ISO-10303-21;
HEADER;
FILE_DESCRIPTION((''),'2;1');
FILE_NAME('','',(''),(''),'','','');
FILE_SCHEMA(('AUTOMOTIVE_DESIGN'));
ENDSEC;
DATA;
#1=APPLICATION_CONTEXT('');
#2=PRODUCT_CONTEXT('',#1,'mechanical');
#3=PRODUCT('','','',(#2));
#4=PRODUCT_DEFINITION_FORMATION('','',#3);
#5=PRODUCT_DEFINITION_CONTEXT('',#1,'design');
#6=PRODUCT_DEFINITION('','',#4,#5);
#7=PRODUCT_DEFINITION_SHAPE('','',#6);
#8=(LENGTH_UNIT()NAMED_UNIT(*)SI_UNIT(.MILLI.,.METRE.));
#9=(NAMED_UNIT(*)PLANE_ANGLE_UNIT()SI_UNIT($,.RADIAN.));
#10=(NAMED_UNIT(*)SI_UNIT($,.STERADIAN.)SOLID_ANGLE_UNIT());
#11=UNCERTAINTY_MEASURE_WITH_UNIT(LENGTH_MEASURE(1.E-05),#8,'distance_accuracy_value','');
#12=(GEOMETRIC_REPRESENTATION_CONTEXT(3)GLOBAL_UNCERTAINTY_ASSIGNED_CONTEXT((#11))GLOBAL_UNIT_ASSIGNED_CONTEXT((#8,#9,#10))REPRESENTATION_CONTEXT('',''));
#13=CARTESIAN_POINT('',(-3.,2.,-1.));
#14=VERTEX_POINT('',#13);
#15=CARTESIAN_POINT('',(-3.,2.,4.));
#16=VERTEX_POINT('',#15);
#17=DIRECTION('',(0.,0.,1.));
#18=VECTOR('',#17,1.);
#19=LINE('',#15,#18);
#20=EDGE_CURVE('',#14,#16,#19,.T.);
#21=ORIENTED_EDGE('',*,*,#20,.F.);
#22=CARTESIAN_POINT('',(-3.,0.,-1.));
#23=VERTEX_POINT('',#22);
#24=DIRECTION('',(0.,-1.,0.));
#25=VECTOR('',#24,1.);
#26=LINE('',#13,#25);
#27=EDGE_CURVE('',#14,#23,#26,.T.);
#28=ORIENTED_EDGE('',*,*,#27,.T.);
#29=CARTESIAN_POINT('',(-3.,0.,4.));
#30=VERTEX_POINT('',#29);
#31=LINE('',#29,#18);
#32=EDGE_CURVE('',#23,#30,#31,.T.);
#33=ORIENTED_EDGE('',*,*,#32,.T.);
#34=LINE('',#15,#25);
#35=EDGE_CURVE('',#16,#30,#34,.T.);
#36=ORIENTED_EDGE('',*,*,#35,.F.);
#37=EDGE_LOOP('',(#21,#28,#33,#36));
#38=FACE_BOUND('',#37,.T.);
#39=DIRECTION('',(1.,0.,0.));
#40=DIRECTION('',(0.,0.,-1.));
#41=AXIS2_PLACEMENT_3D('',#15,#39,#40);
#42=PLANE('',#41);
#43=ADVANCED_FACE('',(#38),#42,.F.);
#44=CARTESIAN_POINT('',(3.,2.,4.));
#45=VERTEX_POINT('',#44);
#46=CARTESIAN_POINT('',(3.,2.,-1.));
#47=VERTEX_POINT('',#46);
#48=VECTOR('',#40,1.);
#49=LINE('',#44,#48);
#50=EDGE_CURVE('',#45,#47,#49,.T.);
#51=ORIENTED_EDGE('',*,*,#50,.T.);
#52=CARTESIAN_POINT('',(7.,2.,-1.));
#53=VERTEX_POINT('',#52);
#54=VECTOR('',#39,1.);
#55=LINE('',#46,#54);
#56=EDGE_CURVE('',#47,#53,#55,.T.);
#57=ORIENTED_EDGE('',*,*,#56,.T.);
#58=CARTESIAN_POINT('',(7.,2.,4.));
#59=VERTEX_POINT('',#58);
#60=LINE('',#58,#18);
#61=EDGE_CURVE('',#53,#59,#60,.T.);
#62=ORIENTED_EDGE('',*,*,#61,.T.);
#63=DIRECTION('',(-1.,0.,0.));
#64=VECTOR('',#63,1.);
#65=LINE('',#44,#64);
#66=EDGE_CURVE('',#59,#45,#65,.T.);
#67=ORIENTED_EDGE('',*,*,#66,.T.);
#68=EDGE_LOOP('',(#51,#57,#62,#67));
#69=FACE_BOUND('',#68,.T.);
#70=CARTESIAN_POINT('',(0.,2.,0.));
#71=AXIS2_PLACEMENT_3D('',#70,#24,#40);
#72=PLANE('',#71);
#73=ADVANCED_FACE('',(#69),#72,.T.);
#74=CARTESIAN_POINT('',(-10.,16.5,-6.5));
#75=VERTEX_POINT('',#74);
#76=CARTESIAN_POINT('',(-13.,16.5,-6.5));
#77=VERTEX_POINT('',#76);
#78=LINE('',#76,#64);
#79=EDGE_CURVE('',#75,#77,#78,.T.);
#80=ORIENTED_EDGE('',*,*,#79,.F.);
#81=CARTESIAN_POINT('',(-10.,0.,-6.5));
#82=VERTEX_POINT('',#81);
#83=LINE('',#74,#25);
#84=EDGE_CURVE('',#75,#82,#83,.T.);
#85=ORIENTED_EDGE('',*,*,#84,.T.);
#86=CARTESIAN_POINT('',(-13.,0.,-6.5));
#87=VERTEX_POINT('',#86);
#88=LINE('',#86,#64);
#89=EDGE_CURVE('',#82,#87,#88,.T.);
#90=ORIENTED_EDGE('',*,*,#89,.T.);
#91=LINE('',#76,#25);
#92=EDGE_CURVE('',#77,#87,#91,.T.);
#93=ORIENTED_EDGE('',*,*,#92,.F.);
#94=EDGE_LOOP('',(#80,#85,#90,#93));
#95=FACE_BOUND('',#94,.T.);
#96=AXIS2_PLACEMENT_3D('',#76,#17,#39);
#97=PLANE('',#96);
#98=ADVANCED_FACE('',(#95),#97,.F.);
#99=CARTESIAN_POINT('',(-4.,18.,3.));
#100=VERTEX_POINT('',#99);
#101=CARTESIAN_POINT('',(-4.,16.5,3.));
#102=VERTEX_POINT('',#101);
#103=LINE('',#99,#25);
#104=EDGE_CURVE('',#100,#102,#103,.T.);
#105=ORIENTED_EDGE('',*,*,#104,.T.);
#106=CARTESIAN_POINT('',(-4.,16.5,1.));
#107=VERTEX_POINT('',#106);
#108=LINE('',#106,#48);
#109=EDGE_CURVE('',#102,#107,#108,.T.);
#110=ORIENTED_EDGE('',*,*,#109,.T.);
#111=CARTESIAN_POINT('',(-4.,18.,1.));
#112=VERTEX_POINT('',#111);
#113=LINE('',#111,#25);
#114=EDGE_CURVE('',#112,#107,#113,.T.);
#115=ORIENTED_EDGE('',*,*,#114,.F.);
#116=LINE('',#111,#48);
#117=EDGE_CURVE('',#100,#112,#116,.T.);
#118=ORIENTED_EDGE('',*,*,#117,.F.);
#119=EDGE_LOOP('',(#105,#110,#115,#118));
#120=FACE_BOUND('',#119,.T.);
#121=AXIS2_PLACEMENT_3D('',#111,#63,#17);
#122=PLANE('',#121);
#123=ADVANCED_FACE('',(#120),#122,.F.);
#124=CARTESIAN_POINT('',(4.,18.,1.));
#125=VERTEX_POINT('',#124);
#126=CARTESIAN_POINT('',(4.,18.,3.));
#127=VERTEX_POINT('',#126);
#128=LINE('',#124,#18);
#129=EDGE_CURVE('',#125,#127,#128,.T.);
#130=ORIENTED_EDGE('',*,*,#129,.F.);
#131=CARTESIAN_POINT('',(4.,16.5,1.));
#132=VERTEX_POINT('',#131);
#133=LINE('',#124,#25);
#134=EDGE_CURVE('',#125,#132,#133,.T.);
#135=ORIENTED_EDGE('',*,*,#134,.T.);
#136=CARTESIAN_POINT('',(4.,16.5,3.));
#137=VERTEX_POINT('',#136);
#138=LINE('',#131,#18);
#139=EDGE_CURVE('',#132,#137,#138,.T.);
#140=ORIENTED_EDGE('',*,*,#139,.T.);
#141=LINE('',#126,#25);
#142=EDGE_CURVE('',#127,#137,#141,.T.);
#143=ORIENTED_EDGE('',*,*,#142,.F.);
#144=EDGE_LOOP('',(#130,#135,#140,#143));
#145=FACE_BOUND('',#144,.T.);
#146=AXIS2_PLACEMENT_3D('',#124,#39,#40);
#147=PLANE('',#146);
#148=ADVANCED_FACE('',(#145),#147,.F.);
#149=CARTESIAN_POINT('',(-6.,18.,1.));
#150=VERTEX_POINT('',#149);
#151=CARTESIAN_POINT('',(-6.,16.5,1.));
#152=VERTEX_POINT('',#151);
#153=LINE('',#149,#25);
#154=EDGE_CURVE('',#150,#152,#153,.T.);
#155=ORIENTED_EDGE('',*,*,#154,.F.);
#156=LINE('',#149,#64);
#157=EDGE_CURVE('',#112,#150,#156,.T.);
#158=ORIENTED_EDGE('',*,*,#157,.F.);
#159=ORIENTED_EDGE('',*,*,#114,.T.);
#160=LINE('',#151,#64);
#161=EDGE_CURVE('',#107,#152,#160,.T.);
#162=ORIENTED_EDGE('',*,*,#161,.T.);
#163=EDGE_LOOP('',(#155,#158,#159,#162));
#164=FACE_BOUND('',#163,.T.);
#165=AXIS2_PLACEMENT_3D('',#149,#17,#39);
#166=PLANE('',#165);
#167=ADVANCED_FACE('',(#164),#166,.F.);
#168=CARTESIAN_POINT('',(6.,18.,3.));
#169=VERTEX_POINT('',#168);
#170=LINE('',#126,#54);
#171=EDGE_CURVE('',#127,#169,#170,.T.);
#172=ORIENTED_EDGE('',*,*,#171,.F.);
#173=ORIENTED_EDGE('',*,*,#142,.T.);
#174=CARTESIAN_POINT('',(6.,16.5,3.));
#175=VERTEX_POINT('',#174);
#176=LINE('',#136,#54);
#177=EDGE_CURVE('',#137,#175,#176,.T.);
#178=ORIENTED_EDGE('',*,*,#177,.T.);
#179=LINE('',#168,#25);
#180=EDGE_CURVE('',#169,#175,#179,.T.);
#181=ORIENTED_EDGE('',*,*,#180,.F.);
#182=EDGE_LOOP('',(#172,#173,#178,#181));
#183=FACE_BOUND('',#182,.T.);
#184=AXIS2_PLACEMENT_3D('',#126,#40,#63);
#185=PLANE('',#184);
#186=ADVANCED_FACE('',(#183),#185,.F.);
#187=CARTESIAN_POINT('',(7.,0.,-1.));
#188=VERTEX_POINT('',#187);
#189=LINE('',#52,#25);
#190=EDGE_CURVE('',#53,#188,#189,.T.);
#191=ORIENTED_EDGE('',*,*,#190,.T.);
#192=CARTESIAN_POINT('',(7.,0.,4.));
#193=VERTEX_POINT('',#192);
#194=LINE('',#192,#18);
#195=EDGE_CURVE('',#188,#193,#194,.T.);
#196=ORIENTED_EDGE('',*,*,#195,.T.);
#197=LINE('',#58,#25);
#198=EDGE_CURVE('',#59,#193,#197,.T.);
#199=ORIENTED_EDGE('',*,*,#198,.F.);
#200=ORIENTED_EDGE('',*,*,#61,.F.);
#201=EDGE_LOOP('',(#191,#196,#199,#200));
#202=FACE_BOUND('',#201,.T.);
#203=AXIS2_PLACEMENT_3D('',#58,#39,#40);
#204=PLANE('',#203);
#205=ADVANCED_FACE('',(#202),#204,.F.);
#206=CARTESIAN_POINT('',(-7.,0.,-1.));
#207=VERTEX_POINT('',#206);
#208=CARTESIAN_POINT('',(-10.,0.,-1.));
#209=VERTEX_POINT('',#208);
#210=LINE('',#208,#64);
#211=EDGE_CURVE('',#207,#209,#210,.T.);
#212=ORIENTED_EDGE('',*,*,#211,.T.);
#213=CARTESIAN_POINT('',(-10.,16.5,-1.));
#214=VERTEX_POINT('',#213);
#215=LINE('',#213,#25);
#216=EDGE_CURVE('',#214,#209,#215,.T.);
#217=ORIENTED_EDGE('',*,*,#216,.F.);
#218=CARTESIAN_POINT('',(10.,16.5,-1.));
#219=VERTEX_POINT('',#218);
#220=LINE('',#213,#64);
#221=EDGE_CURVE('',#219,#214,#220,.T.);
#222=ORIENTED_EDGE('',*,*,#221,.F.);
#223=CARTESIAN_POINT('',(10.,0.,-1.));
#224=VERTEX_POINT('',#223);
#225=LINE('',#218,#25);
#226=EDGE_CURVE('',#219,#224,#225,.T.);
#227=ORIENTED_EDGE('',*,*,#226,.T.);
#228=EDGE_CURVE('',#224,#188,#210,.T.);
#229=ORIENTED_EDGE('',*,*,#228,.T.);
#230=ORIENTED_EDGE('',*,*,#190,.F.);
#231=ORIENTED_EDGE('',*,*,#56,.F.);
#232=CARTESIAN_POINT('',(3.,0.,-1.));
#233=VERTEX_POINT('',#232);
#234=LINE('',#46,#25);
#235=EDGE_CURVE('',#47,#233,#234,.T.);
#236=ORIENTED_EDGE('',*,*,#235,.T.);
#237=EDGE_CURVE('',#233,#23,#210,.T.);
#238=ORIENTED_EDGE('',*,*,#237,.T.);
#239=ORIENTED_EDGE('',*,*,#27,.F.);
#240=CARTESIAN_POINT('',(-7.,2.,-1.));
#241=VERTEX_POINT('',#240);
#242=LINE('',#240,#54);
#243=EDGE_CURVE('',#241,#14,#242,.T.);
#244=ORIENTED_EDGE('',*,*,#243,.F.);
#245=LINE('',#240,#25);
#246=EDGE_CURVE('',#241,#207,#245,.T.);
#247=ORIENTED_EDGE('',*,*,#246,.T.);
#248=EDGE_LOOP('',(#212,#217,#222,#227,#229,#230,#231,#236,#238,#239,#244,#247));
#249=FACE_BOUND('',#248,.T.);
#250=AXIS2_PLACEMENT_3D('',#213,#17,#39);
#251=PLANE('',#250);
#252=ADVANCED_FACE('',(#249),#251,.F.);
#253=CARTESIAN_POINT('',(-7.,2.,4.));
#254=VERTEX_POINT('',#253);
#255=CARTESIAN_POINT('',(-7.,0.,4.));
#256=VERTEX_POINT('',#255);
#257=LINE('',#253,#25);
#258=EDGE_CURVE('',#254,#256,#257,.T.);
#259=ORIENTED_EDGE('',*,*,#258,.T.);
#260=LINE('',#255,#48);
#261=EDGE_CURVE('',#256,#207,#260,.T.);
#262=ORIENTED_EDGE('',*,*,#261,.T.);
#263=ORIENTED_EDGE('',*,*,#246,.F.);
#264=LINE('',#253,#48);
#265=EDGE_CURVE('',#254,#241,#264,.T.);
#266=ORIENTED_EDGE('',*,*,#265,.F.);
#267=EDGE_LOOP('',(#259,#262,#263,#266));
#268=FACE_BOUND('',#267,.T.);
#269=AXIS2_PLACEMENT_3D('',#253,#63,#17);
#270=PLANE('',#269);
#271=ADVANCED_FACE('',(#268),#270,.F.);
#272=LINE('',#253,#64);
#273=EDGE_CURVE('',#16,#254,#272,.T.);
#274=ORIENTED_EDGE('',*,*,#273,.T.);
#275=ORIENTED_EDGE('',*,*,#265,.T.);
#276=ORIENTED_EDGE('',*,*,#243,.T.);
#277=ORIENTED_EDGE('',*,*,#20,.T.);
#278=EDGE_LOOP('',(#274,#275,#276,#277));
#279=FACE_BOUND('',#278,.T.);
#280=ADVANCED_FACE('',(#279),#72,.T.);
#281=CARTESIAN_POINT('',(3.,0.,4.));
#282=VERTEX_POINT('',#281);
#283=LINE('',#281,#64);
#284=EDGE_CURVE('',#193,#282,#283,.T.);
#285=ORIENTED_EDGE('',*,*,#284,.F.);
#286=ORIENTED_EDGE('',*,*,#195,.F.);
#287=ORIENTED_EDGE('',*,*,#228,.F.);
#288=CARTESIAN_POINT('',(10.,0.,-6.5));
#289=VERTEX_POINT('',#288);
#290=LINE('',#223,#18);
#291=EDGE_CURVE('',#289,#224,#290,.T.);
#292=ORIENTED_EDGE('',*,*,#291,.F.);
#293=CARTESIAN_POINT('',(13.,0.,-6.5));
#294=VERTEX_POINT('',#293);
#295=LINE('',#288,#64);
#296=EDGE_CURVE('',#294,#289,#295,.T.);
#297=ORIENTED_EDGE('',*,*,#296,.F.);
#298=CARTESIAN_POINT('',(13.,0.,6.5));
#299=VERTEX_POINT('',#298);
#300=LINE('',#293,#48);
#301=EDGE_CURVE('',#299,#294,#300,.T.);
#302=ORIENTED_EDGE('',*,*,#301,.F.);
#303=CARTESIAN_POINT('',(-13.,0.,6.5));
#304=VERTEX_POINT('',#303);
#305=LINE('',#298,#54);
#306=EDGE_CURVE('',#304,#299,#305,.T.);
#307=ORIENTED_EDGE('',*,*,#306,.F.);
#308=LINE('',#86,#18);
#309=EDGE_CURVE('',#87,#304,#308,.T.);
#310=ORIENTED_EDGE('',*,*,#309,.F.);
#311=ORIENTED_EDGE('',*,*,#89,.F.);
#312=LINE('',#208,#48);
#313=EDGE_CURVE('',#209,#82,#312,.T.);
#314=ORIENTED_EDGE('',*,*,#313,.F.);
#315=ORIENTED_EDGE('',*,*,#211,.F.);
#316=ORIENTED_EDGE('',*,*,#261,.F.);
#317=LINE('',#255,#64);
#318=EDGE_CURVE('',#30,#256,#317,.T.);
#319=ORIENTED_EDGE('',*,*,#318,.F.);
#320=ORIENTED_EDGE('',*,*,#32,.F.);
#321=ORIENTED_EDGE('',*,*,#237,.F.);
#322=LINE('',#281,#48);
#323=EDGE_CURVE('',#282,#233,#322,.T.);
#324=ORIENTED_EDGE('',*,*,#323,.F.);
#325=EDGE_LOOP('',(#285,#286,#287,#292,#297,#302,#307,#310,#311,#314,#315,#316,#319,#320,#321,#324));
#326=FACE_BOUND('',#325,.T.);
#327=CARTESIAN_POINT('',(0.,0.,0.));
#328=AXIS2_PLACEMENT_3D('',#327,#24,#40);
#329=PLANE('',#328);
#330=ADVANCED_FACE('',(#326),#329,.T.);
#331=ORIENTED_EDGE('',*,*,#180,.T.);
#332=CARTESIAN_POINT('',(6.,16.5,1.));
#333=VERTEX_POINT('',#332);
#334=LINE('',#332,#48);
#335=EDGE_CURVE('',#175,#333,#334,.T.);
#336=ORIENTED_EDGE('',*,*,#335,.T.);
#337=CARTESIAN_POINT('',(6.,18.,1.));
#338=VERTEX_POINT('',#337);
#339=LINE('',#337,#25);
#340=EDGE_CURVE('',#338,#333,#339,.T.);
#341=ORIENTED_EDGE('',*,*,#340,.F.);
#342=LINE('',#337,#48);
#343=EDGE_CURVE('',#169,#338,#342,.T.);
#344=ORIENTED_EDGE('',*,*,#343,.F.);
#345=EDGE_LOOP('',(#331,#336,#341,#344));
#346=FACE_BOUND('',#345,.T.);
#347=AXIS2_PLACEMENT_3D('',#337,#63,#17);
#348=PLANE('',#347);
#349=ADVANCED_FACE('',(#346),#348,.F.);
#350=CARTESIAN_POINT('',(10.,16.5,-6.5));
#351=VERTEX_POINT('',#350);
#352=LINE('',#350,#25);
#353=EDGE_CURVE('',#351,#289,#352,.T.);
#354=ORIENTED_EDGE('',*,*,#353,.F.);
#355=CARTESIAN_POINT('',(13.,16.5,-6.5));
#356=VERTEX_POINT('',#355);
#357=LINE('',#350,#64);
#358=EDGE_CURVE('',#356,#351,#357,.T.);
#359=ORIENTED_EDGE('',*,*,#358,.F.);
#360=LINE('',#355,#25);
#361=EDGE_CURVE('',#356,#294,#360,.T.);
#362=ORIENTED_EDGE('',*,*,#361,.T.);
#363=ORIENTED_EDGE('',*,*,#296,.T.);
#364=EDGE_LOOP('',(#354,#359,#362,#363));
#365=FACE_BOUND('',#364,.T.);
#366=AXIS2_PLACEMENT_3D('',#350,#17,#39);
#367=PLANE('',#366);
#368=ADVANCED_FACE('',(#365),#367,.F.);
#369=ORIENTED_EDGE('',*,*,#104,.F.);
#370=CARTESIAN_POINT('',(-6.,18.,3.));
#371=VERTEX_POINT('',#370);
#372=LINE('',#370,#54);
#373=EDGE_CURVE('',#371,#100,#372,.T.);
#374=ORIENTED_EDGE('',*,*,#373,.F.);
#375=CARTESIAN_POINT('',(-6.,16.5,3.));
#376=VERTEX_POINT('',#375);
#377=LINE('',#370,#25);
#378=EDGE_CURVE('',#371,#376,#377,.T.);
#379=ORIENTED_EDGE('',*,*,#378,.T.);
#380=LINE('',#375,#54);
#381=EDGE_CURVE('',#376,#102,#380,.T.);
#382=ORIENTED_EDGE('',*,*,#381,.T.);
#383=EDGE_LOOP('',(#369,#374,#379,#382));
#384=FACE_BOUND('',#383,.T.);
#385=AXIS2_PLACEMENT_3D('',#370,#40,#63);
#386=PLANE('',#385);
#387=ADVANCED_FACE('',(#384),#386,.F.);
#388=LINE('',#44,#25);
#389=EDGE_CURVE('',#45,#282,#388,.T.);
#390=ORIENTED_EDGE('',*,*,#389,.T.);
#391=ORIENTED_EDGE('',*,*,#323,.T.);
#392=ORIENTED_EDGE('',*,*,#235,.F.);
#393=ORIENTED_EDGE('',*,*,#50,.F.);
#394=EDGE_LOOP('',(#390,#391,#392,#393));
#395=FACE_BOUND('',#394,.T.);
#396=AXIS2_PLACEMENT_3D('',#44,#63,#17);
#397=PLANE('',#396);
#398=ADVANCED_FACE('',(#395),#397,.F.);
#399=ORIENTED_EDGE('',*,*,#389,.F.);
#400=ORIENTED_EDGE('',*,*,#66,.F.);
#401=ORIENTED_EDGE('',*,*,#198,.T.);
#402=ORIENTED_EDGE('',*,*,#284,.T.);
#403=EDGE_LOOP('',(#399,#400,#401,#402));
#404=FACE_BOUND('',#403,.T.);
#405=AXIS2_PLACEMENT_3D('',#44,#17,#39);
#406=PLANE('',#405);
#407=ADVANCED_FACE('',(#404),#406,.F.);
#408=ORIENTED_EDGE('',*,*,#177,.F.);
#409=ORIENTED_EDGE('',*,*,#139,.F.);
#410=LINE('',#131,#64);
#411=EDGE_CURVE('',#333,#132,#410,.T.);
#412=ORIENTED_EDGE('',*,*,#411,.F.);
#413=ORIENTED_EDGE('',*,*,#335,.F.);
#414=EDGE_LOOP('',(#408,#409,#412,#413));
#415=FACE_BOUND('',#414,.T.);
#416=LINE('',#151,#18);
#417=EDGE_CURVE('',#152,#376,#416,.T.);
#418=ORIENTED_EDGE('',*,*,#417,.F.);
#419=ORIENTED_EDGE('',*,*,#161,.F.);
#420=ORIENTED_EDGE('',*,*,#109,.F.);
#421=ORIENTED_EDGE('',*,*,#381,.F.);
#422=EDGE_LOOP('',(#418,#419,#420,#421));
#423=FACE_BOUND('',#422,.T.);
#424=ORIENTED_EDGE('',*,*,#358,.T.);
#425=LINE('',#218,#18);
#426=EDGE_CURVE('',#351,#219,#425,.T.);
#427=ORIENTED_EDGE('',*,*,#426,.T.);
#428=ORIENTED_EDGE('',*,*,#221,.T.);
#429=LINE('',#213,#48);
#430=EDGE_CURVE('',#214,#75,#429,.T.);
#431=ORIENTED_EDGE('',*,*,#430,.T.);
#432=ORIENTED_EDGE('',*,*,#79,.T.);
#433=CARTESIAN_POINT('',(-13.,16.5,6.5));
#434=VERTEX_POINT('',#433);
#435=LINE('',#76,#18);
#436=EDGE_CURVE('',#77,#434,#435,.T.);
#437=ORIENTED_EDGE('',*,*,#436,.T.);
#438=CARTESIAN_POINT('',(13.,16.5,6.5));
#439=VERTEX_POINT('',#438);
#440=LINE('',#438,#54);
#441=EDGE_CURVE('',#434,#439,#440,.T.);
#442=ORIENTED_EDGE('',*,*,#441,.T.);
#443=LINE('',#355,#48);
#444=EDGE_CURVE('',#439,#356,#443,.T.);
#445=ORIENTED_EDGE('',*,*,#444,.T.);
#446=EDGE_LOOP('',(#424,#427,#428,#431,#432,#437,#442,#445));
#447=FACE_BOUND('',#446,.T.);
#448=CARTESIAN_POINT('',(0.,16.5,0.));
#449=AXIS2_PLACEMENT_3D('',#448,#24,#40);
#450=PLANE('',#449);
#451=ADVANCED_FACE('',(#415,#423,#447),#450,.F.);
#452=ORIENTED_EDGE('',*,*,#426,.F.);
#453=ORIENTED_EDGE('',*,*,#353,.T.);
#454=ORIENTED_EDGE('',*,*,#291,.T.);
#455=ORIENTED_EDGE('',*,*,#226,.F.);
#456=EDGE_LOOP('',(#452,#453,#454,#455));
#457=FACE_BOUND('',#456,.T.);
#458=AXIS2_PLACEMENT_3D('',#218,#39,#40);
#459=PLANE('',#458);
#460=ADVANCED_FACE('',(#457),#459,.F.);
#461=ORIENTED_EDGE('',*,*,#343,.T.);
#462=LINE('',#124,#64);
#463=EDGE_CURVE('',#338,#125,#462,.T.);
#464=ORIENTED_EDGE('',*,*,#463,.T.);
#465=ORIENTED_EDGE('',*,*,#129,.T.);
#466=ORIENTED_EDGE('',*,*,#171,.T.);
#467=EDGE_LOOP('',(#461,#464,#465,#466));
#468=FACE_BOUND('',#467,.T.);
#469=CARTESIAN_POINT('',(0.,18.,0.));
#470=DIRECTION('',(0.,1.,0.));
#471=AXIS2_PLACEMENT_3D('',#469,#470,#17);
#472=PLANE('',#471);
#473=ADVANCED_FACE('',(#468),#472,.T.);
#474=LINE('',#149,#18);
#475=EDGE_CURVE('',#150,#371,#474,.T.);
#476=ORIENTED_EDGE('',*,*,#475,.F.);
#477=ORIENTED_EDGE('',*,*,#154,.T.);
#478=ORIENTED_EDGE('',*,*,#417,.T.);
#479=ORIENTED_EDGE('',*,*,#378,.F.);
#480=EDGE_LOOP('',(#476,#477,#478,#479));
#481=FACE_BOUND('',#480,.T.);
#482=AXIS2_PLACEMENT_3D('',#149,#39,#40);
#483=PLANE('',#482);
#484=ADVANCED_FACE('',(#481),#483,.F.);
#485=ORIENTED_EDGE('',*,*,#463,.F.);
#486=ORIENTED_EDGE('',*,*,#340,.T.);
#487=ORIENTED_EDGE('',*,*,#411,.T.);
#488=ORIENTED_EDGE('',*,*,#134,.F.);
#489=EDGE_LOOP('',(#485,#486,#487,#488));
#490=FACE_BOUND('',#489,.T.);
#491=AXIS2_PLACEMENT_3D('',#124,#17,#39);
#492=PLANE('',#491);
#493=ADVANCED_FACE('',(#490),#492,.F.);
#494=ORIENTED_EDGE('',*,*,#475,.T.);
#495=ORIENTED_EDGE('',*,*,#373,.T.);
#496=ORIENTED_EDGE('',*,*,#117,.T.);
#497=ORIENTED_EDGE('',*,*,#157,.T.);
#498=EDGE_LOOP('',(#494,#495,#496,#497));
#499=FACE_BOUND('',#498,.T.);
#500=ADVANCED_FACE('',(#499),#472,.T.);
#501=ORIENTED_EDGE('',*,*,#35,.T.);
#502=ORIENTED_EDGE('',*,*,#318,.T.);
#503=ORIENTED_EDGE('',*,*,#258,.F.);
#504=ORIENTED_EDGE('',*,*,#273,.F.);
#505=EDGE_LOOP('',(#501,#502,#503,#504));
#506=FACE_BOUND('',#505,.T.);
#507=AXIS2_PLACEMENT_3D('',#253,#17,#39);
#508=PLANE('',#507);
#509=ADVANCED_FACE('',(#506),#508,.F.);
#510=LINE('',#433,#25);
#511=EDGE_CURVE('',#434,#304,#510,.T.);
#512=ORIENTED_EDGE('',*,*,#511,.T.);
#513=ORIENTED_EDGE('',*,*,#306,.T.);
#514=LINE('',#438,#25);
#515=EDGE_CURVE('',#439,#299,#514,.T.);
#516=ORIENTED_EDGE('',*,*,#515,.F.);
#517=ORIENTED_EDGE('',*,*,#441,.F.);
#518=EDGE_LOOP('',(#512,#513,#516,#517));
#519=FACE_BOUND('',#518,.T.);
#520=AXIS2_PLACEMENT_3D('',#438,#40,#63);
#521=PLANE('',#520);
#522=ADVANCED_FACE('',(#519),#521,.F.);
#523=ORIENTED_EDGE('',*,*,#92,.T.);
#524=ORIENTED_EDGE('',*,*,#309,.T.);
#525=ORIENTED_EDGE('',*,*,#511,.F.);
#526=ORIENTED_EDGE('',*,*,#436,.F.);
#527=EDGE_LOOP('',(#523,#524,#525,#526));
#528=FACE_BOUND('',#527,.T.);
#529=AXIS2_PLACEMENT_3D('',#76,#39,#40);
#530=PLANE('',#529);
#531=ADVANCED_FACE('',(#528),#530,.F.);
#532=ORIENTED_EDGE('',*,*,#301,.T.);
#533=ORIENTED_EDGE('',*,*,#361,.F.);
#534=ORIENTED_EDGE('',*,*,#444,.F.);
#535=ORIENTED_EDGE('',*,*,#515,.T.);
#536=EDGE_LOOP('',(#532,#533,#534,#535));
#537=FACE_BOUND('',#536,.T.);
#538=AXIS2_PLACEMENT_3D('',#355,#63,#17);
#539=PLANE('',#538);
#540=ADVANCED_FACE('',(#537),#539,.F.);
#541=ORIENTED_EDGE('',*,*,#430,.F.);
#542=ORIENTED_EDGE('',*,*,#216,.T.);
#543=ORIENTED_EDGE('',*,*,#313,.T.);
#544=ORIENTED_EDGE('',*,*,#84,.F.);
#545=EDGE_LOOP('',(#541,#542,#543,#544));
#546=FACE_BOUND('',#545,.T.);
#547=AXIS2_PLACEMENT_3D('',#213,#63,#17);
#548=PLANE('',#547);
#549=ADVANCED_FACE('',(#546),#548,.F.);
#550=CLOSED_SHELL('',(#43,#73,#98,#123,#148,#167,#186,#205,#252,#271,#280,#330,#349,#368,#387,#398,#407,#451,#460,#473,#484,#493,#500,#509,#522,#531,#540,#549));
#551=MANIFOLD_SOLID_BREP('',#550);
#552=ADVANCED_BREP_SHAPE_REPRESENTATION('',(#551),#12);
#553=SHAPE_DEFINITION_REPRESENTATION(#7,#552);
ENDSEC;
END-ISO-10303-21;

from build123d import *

# Parameters (mm, degrees)
EXTRUDE_1_DEPTH     = 16.5
SKETCH_2_W          = 4
SKETCH_2_H          = 5
CUT_EXTRUDE_1_DEPTH = 2
SKETCH_3_W          = 2
SKETCH_3_H          = 2
EXTRUDE_2_DEPTH     = 1.5


with BuildPart() as part:
    # Эскиз1 → Бобышка-Вытянуть1 (new body)
    with BuildSketch(Plane(origin=(0, 0, 0), x_dir=(1, 0, 0), z_dir=(0, 1, 0))):
        Polygon((-10, 1), (10, 1), (10, 6.5), (13, 6.5), (13, -6.5), (-13, -6.5), (-13, 6.5), (-10, 6.5), align=None)
    extrude(amount=EXTRUDE_1_DEPTH)

    # Эскиз2 → Вырез-Вытянуть1 (cut)
    with BuildSketch(Plane(origin=(0, 0, 0), x_dir=(-1, 0, 0), z_dir=(0, -1, 0))):
        with Locations((-5, -1.5)):
            Rectangle(SKETCH_2_W, SKETCH_2_H)
        with Locations((5, -1.5)):
            Rectangle(SKETCH_2_W, SKETCH_2_H)
    extrude(amount=-CUT_EXTRUDE_1_DEPTH, mode=Mode.SUBTRACT)

    # Эскиз3 → Бобышка-Вытянуть2 (add)
    with BuildSketch(Plane(origin=(0, 16.5, 0), x_dir=(1, 0, 0), z_dir=(0, 1, 0))):
        with Locations((-5, -2)):
            Rectangle(SKETCH_3_W, SKETCH_3_H)
        with Locations((5, -2)):
            Rectangle(SKETCH_3_W, SKETCH_3_H)
    extrude(amount=EXTRUDE_2_DEPTH)


solid = part.part
